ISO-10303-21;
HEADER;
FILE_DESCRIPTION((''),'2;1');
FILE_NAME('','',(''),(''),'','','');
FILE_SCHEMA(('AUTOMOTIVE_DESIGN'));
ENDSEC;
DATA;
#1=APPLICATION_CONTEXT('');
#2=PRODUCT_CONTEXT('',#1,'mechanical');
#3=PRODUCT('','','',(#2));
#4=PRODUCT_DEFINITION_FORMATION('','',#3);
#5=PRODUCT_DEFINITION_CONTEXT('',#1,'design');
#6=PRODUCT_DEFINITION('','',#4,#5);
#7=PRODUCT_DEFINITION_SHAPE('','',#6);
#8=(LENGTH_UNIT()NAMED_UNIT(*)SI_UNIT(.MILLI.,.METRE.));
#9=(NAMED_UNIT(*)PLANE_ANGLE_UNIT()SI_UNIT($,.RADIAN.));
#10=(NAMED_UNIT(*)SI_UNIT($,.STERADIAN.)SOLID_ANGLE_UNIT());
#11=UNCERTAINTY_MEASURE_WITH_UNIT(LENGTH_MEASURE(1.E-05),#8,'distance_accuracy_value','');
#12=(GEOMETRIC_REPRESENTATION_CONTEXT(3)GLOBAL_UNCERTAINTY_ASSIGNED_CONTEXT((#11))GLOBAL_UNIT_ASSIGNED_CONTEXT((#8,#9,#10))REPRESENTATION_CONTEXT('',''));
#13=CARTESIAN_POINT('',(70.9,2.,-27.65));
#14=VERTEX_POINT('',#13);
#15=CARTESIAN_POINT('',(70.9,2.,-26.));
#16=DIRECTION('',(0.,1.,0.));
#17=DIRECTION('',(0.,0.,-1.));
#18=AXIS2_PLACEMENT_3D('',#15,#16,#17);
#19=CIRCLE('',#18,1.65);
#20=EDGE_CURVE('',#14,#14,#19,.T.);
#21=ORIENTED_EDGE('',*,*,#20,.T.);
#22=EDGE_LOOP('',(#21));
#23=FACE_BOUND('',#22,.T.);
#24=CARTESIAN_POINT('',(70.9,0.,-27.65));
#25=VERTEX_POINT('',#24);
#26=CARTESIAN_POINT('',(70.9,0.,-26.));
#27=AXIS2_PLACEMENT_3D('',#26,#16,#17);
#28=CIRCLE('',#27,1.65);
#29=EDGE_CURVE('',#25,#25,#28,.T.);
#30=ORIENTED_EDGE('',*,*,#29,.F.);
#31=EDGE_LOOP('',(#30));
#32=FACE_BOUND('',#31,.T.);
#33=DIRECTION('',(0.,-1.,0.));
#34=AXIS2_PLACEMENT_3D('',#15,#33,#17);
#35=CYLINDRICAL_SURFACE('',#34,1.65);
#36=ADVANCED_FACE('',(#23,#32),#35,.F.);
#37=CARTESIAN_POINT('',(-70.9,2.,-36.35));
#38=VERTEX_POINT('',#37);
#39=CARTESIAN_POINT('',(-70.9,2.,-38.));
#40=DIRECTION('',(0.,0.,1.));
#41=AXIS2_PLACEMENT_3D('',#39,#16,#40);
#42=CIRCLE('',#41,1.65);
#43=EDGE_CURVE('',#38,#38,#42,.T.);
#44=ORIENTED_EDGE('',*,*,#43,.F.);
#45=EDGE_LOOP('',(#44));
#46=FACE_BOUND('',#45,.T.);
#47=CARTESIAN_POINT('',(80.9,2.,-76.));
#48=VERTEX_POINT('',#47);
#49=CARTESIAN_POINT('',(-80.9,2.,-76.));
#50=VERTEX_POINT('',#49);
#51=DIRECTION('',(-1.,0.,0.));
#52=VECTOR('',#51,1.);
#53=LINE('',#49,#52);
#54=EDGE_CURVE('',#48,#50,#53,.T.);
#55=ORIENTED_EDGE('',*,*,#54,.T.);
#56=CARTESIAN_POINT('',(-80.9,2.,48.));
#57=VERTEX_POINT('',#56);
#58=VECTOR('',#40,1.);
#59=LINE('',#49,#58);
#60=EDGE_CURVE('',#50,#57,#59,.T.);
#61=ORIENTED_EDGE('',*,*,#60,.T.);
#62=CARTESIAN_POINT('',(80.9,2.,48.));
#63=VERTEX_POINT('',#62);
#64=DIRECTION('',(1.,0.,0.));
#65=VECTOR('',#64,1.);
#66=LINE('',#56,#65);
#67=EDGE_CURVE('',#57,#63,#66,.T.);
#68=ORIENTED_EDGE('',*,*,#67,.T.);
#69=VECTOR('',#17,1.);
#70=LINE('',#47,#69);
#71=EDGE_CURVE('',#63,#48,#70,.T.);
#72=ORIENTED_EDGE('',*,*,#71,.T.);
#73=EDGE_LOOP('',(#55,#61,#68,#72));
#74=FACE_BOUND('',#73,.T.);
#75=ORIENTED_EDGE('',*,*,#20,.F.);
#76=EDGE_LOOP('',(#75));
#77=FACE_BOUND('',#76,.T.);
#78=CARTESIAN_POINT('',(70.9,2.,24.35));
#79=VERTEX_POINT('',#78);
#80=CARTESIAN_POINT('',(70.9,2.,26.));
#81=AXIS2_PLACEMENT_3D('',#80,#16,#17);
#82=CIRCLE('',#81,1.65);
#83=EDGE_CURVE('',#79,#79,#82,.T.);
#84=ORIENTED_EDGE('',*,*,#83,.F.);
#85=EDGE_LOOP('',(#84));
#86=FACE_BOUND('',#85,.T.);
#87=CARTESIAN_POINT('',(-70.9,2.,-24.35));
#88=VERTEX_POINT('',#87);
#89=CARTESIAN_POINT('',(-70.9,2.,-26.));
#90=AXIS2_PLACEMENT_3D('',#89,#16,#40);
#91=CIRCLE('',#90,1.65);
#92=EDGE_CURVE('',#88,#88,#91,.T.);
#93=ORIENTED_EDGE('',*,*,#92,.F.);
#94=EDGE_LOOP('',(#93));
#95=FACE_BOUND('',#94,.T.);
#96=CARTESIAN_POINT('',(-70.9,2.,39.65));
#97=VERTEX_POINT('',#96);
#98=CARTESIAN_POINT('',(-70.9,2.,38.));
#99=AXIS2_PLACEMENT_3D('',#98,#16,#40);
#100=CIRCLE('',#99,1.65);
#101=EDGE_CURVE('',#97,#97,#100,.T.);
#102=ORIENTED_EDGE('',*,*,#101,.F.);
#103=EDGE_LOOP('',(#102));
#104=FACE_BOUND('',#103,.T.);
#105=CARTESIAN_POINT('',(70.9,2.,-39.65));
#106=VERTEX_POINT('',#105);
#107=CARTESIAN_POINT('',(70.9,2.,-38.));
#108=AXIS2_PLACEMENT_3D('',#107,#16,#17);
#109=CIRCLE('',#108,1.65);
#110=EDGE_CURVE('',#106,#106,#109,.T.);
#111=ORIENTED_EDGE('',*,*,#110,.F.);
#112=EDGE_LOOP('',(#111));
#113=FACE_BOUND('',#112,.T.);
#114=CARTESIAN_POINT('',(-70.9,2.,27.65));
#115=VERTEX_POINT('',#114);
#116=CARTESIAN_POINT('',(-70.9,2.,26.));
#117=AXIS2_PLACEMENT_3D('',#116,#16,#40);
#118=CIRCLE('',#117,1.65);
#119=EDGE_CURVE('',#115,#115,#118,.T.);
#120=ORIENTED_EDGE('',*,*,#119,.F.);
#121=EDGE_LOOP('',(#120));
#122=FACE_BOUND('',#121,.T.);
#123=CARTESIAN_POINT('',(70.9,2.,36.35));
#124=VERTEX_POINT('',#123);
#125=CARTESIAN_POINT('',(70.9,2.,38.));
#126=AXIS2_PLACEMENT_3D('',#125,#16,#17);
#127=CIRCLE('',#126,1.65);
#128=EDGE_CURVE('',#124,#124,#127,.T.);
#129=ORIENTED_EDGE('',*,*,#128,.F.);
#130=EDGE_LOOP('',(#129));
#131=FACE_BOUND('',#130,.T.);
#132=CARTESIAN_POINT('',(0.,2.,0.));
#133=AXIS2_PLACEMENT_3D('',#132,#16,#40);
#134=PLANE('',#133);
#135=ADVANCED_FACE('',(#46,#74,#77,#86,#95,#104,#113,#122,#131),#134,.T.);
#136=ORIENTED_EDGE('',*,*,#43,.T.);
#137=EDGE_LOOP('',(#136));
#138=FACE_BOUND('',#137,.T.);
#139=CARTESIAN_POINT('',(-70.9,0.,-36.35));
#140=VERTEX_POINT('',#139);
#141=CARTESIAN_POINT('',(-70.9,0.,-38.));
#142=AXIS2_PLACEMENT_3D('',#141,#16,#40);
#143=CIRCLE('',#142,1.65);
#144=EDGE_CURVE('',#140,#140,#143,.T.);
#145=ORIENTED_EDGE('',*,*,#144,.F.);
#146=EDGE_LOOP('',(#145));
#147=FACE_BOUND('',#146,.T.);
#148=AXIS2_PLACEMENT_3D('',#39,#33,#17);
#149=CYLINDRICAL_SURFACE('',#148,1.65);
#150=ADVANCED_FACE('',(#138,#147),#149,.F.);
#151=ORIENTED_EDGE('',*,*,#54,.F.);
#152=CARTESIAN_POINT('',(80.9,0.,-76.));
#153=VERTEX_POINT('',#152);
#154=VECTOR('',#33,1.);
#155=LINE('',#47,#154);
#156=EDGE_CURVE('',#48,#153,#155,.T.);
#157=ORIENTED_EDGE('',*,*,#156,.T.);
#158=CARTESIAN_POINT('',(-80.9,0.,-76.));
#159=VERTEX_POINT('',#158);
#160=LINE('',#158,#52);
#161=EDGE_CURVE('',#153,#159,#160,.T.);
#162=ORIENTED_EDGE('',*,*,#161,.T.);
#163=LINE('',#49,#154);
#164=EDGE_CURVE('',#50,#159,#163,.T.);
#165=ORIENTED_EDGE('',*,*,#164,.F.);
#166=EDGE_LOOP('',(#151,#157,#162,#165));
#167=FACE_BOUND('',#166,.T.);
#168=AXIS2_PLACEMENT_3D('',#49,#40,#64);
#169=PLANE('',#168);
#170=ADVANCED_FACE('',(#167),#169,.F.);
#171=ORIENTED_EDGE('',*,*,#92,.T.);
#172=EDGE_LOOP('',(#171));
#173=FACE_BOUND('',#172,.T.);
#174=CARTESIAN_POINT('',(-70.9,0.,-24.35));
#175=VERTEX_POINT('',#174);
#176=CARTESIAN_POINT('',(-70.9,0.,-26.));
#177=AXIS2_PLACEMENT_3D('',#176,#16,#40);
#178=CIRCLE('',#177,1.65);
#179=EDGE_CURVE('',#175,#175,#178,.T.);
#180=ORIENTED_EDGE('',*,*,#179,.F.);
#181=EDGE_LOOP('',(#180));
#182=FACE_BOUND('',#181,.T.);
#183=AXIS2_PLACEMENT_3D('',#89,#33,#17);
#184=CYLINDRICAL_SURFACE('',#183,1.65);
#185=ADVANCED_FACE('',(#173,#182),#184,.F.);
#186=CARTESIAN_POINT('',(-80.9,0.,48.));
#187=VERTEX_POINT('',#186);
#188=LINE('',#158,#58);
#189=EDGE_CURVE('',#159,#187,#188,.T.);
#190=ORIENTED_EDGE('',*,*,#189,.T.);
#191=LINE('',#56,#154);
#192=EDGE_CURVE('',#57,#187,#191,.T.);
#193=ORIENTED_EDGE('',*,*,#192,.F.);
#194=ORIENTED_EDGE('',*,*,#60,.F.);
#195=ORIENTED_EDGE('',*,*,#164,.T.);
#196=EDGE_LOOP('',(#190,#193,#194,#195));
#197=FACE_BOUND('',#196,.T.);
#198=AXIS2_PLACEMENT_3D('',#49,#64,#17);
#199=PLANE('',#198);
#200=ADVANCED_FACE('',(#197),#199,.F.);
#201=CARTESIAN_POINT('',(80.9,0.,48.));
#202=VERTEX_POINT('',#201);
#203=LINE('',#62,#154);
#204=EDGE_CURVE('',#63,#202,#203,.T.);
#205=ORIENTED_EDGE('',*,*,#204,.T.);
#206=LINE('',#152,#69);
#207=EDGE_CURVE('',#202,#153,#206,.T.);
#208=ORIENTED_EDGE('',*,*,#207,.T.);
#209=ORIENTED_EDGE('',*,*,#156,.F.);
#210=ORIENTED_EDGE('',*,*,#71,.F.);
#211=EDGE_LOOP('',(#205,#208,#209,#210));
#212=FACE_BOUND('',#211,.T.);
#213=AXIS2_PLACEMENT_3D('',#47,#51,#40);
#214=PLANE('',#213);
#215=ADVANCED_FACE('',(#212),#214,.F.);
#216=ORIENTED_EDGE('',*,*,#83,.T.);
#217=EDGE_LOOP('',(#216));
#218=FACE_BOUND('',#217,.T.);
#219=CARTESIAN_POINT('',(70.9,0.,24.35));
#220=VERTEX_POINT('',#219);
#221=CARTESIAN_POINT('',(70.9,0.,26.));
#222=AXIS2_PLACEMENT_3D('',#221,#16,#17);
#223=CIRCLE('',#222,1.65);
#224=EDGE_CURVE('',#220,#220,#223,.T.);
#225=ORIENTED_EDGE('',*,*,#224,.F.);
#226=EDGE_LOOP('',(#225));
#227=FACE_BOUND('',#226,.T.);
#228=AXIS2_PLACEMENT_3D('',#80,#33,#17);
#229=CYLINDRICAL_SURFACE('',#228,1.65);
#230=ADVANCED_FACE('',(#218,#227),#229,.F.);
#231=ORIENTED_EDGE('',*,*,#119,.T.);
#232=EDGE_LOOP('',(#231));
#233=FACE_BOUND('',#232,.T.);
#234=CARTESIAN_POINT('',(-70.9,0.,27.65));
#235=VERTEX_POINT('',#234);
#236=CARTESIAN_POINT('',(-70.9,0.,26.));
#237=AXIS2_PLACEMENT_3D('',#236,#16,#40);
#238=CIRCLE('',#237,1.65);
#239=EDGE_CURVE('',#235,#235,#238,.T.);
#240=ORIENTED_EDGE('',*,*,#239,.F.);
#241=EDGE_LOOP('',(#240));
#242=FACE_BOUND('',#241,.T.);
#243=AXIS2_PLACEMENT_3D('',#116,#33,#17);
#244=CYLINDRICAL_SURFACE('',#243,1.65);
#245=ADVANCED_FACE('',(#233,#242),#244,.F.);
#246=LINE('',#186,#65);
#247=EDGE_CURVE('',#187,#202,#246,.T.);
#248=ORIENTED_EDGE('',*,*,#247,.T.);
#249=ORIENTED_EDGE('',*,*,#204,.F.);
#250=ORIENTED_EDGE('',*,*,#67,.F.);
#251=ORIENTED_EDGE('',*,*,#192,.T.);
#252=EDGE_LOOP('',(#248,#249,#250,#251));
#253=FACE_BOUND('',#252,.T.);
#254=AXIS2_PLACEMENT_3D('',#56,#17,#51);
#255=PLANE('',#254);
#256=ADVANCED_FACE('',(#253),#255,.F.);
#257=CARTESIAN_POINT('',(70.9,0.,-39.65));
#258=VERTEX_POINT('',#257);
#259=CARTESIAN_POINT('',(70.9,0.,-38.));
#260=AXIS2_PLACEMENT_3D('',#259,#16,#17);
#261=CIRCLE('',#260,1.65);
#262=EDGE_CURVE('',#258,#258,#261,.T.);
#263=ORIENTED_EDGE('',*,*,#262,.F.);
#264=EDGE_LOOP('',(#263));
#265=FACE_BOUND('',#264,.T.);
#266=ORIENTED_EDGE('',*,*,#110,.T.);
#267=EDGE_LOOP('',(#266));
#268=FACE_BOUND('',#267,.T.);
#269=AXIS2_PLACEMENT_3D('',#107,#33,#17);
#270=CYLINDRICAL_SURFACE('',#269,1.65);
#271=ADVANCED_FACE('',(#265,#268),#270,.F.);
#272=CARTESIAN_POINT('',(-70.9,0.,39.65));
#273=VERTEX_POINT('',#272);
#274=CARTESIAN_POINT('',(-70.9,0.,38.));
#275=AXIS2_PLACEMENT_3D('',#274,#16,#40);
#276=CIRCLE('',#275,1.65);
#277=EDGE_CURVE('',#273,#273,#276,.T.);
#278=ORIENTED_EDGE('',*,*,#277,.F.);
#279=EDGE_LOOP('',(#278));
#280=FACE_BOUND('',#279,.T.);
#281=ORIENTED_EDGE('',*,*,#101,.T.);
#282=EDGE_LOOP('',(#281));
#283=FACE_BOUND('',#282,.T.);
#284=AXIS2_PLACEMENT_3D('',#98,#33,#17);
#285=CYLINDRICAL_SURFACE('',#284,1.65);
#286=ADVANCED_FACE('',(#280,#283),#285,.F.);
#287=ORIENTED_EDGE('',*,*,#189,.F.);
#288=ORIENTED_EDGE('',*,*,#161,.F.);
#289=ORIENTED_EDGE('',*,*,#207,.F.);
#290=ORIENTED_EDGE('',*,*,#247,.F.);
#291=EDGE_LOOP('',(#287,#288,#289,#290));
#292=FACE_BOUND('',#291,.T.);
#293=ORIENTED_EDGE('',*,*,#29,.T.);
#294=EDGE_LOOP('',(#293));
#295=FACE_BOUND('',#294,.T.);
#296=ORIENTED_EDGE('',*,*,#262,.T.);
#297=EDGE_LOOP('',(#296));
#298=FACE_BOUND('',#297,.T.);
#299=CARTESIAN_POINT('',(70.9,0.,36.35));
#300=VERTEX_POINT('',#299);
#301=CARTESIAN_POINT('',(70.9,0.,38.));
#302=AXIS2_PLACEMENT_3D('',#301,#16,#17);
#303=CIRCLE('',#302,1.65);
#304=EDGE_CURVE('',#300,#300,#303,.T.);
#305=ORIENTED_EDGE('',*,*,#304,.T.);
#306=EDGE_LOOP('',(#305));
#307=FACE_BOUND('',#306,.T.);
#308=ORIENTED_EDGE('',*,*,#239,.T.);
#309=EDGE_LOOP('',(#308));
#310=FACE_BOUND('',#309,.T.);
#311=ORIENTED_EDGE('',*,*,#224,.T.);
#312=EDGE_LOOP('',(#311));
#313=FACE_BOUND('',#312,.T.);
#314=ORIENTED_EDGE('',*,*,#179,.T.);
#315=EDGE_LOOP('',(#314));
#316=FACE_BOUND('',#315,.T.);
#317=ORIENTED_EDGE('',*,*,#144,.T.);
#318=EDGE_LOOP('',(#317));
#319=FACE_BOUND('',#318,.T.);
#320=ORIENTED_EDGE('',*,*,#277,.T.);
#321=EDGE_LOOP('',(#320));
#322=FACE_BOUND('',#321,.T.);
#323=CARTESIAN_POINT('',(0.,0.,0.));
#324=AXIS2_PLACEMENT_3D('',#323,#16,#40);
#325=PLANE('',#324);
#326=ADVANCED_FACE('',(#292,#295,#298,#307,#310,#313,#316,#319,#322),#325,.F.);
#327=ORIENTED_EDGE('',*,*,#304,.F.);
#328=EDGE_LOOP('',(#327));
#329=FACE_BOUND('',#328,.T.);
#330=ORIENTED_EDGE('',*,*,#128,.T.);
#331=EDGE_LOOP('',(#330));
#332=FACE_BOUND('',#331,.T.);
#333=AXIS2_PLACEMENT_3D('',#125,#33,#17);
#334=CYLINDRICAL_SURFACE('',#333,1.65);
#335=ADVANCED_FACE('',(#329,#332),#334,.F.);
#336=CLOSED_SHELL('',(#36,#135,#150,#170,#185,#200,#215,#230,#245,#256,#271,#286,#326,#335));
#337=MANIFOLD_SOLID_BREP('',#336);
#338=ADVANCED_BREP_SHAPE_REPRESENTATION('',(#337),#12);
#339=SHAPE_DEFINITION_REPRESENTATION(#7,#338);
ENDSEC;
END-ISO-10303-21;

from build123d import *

# Parameters (mm, degrees)
SKETCH1_W           = 161.8
SKETCH1_H           = 124
SKETCH1_R           = 1.65
BOSS_EXTRUDE1_DEPTH = 2


with BuildPart() as part:
    # Sketch1 → Boss-Extrude1 (new body)
    with BuildSketch(Plane(origin=(0, 0, 0), x_dir=(1, 0, 0), z_dir=(0, 1, 0))):
        with Locations((0, 14)):
            Rectangle(SKETCH1_W, SKETCH1_H)
        with Locations((-70.9, 38)):
            Circle(SKETCH1_R, mode=Mode.SUBTRACT)
        with Locations((-70.9, 26)):
            Circle(SKETCH1_R, mode=Mode.SUBTRACT)
        with Locations((-70.9, -26)):
            Circle(SKETCH1_R, mode=Mode.SUBTRACT)
        with Locations((-70.9, -38)):
            Circle(SKETCH1_R, mode=Mode.SUBTRACT)
        with Locations((70.9, 38)):
            Circle(SKETCH1_R, mode=Mode.SUBTRACT)
        with Locations((70.9, 26)):
            Circle(SKETCH1_R, mode=Mode.SUBTRACT)
        with Locations((70.9, -26)):
            Circle(SKETCH1_R, mode=Mode.SUBTRACT)
        with Locations((70.9, -38)):
            Circle(SKETCH1_R, mode=Mode.SUBTRACT)
    extrude(amount=BOSS_EXTRUDE1_DEPTH)


solid = part.part
